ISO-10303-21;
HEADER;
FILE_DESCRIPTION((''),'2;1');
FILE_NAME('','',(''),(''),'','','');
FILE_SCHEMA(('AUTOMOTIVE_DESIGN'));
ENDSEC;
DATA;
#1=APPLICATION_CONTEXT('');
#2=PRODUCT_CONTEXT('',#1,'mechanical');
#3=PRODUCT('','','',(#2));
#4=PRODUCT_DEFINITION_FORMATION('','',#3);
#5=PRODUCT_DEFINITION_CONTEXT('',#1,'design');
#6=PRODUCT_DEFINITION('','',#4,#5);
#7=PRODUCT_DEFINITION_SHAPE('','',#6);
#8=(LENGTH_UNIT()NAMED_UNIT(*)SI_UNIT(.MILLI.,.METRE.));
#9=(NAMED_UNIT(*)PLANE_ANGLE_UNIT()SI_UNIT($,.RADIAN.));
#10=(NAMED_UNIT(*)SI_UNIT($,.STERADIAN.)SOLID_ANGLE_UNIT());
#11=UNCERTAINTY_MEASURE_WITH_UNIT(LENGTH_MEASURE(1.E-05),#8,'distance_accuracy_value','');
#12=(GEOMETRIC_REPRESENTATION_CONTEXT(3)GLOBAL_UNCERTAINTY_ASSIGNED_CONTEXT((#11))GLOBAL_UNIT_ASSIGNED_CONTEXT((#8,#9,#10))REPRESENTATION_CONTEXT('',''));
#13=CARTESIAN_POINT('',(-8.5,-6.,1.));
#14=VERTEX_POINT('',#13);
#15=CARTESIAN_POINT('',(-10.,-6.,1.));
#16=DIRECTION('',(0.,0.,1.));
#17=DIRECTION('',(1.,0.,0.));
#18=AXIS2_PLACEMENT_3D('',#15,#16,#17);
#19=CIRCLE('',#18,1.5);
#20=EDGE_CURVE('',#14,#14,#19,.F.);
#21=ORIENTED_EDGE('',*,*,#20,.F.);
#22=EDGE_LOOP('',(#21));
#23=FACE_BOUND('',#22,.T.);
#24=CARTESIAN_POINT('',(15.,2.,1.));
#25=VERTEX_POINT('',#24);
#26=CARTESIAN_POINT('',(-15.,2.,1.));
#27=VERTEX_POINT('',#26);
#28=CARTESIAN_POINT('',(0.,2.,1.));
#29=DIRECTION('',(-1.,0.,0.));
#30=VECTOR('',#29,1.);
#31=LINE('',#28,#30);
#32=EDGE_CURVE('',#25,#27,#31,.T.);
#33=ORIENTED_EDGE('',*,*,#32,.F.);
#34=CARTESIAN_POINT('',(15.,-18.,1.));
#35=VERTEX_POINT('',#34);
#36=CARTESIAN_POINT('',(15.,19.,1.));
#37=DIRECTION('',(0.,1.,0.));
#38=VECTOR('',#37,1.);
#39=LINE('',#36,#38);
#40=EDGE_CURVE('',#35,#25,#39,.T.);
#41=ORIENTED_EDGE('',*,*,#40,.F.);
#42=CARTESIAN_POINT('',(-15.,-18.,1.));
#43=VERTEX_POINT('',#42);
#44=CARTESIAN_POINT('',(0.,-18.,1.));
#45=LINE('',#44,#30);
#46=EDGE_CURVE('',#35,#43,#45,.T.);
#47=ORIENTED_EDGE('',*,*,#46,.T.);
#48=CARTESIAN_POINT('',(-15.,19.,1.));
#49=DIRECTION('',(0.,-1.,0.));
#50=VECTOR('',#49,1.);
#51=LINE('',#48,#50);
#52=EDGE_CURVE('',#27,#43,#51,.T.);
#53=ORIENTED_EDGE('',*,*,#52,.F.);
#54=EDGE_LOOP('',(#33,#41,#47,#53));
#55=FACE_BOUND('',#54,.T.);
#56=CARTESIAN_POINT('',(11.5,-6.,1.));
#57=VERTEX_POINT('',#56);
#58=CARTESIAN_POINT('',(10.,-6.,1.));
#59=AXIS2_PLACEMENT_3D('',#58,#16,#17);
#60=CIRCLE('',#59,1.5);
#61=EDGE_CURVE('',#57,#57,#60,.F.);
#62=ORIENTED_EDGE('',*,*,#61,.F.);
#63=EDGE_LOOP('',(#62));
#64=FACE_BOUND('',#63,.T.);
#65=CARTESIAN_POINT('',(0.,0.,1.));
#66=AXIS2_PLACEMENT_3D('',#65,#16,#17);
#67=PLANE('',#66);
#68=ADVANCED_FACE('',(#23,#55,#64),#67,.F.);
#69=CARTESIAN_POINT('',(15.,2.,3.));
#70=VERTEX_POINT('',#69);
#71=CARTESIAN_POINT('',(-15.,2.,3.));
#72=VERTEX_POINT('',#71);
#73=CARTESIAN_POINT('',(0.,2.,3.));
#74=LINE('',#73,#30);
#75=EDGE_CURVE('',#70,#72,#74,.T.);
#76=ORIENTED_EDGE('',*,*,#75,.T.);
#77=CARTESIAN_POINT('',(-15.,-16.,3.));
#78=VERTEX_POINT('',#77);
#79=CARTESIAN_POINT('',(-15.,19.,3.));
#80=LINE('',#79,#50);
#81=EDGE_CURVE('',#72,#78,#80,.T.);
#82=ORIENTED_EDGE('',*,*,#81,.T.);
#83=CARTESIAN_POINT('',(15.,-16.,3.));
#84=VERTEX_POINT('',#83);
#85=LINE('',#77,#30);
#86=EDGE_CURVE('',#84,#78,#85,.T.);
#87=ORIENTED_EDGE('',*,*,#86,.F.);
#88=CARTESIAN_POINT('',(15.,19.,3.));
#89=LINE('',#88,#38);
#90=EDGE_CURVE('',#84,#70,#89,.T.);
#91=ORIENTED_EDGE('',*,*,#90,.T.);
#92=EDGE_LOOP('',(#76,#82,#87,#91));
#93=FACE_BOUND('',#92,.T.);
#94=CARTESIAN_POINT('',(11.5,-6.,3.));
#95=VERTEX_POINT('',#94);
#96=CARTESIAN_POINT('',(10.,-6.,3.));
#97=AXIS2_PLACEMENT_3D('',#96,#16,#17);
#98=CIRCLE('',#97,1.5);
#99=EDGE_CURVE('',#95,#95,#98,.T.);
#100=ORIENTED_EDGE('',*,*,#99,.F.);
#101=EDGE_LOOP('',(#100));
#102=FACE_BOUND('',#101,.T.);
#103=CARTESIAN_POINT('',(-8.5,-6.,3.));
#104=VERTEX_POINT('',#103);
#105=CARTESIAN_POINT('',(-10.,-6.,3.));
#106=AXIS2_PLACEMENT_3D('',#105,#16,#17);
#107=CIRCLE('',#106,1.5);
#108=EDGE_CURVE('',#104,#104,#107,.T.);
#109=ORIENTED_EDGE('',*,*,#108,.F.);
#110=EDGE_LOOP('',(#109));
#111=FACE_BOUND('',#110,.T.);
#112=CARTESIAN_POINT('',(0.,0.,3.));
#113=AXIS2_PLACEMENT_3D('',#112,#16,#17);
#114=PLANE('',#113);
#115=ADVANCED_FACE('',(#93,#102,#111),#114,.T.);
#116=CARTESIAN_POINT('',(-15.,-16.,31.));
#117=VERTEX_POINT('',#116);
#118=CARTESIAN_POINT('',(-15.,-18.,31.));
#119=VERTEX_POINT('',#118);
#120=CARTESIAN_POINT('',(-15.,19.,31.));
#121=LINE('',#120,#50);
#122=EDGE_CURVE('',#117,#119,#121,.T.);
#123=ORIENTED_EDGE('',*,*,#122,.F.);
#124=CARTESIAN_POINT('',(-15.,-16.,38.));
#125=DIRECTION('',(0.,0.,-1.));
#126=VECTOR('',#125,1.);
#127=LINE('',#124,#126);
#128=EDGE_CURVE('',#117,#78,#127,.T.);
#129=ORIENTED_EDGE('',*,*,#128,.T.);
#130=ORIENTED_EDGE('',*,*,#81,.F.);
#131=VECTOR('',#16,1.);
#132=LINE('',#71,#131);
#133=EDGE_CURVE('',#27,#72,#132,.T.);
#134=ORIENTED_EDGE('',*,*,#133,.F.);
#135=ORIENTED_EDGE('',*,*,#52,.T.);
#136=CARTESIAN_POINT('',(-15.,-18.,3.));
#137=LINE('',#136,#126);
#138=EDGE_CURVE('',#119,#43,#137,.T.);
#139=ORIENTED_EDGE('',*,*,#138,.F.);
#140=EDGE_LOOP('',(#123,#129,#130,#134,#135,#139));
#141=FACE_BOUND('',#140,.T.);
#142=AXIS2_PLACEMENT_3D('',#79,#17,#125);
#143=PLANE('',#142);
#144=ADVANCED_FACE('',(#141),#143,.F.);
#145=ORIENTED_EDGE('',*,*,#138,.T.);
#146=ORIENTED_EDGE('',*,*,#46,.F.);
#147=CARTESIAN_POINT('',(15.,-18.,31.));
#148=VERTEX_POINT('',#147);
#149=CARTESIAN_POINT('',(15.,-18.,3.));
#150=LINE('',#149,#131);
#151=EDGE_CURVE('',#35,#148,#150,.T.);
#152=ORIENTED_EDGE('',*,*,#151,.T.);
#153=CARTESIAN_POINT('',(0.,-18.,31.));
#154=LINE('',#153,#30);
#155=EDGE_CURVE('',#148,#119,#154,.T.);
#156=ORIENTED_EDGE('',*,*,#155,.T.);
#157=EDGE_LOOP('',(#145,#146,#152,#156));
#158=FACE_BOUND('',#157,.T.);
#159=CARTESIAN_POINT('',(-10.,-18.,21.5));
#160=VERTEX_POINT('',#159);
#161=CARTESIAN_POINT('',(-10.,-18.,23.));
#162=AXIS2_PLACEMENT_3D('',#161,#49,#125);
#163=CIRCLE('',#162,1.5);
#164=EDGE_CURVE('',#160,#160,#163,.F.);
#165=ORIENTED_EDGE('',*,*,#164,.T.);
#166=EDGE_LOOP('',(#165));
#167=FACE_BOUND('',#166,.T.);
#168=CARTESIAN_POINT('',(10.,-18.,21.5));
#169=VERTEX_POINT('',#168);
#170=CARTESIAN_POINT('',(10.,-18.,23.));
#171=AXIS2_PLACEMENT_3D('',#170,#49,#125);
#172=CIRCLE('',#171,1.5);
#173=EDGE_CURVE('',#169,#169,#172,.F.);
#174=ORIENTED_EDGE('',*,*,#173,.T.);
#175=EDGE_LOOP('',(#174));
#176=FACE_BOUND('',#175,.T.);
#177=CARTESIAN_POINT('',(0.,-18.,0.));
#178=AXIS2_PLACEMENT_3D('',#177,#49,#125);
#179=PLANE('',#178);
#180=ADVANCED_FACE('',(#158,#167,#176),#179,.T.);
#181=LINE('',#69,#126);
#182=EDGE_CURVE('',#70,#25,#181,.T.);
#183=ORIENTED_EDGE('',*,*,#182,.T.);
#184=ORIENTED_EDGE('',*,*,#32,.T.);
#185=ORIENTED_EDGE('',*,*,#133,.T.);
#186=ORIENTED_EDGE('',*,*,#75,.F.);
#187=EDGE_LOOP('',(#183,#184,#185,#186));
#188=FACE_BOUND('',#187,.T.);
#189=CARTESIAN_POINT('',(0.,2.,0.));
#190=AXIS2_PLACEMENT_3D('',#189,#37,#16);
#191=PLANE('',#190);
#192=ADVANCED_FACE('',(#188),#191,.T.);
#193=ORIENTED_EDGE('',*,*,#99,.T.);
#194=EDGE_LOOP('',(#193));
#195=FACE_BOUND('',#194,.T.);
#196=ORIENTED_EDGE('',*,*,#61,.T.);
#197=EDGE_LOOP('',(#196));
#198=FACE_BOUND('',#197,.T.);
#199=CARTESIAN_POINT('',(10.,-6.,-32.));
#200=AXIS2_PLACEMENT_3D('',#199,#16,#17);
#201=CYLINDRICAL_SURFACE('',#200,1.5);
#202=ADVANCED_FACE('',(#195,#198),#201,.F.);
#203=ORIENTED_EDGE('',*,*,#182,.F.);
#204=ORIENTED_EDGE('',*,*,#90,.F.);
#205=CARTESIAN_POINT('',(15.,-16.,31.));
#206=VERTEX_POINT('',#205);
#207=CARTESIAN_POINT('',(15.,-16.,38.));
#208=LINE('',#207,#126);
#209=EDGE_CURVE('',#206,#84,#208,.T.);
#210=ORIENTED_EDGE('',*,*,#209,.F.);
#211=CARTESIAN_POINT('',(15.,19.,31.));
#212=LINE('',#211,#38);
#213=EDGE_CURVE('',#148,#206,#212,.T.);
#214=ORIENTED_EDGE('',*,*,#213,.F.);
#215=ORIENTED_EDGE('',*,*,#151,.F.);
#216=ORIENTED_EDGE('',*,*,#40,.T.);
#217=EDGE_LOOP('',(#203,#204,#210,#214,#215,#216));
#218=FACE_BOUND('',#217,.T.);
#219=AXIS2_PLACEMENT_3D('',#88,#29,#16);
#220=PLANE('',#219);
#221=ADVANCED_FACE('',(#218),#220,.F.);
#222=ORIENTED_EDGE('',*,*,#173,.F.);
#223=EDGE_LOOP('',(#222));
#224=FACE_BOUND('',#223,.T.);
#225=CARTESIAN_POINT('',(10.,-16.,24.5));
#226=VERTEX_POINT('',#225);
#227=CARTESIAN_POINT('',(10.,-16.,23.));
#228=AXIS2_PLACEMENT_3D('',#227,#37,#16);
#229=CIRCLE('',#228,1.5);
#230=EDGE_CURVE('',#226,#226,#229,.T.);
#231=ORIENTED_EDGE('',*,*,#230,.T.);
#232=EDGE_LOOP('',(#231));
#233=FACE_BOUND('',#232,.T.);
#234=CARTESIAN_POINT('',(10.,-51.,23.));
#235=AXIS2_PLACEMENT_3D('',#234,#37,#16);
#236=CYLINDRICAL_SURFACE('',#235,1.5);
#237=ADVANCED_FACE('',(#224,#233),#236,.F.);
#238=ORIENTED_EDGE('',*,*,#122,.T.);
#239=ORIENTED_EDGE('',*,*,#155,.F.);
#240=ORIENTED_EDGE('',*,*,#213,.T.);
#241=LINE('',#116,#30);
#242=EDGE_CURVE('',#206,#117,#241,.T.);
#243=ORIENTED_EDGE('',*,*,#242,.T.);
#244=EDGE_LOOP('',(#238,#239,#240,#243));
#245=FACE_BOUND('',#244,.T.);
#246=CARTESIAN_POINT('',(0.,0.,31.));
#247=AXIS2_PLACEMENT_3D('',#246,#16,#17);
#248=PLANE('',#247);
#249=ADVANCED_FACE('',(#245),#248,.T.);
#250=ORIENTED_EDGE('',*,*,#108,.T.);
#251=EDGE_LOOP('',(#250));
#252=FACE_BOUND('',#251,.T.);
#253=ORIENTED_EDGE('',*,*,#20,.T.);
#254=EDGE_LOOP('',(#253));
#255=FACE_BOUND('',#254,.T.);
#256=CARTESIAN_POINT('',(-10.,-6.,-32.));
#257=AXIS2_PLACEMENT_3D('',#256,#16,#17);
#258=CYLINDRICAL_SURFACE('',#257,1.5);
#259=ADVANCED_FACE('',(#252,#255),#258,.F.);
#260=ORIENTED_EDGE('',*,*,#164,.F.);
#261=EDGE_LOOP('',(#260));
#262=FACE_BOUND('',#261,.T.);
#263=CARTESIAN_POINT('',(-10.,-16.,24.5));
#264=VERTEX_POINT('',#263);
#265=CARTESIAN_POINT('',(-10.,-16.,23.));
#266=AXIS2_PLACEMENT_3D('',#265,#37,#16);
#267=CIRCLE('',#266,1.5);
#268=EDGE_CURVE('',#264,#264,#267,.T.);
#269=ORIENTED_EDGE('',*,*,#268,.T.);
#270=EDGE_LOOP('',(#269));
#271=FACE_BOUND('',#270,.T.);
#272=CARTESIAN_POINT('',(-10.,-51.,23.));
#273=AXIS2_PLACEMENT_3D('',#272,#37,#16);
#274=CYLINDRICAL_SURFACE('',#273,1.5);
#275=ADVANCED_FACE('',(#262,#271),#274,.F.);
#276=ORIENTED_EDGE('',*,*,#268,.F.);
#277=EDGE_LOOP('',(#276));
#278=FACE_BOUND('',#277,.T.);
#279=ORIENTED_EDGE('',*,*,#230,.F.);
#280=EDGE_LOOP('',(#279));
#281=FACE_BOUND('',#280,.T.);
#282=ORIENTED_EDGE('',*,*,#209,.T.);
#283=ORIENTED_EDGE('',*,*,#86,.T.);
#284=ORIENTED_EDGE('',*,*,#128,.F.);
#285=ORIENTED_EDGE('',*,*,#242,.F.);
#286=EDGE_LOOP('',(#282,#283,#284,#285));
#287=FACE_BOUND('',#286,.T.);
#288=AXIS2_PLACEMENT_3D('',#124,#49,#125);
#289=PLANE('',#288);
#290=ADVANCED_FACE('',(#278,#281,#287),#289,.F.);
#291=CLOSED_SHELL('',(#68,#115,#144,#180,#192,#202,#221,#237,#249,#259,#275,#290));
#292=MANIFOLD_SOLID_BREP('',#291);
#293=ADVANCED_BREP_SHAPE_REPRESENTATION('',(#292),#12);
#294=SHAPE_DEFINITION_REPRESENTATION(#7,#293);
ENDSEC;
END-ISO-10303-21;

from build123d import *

# Parameters (mm, degrees)
SKETCH_1_W          = 30
SKETCH_1_H          = 38
EXTRUDE_1_DEPTH     = 3
SKETCH_2_W          = 30
SKETCH_2_H          = 3
EXTRUDE_2_DEPTH     = 35
SKETCH_3_R          = 1.5
CUT_EXTRUDE_1_DEPTH = 35
SKETCH_4_R          = 1.5
CUT_EXTRUDE_2_DEPTH = 35
SKETCH_5_W          = 88.636762999
SKETCH_5_H          = 63.593874591
CUT_EXTRUDE_3_DEPTH = 1
SKETCH_6_W          = 48.892654417
SKETCH_6_H          = 42.932057718
CUT_EXTRUDE_4_DEPTH = 1
SKETCH_7_W          = 36.310850366
SKETCH_7_H          = 6.739338697
CUT_EXTRUDE_5_DEPTH = 7
SKETCH_8_W          = 38.639290764
SKETCH_8_H          = 12.957782525
CUT_EXTRUDE_6_DEPTH = 17


with BuildPart() as part:
    # 草图1 → 凸台-拉伸1 (new body)
    with BuildSketch(Plane.XY):
        Rectangle(SKETCH_1_W, SKETCH_1_H)
    extrude(amount=EXTRUDE_1_DEPTH)

    # 草图2 → 凸台-拉伸2 (add)
    with BuildSketch(Plane.XY.offset(3)):
        with Locations((0, -17.5)):
            Rectangle(SKETCH_2_W, SKETCH_2_H)
    extrude(amount=EXTRUDE_2_DEPTH)

    # 草图3 → 切除-拉伸1 (cut)
    with BuildSketch(Plane.XY.offset(3)):
        with Locations((-10, -6)):
            Circle(SKETCH_3_R)
        with Locations((10, -6)):
            Circle(SKETCH_3_R)
    extrude(amount=-CUT_EXTRUDE_1_DEPTH, mode=Mode.SUBTRACT)

    # 草图4 → 切除-拉伸2 (cut)
    with BuildSketch(Plane(origin=(0, -16, 0), x_dir=(1, 0, 0), z_dir=(0, 1, 0))):
        with Locations((-10, -23)):
            Circle(SKETCH_4_R)
        with Locations((10, -23)):
            Circle(SKETCH_4_R)
    extrude(amount=-CUT_EXTRUDE_2_DEPTH, mode=Mode.SUBTRACT)

    # 草图5 → 切除-拉伸3 (cut)
    with BuildSketch(Plane.XZ.offset(19)):
        with Locations((3.130084419, 17.677441591)):
            Rectangle(SKETCH_5_W, SKETCH_5_H)
    extrude(amount=-CUT_EXTRUDE_3_DEPTH, mode=Mode.SUBTRACT)

    # 草图6 → 切除-拉伸4 (cut)
    with BuildSketch(Plane(origin=(0, 0, 0), x_dir=(-1, 0, 0), z_dir=(0, 0, -1))):
        with Locations((1.260467489, 1.250792639)):
            Rectangle(SKETCH_6_W, SKETCH_6_H)
    extrude(amount=-CUT_EXTRUDE_4_DEPTH, mode=Mode.SUBTRACT)

    # 草图7 → 切除-拉伸5 (cut)
    with BuildSketch(Plane.XY.offset(38)):
        with Locations((-0.942459464, -16.150780979)):
            Rectangle(SKETCH_7_W, SKETCH_7_H)
    extrude(amount=-CUT_EXTRUDE_5_DEPTH, mode=Mode.SUBTRACT)

    # 草图8 → 切除-拉伸6 (cut)
    with BuildSketch(Plane(origin=(0, 19, 0), x_dir=(1, 0, 0), z_dir=(0, 1, 0))):
        with Locations((-0.082193205, -0.869277183)):
            Rectangle(SKETCH_8_W, SKETCH_8_H)
    extrude(amount=-CUT_EXTRUDE_6_DEPTH, mode=Mode.SUBTRACT)


solid = part.part
